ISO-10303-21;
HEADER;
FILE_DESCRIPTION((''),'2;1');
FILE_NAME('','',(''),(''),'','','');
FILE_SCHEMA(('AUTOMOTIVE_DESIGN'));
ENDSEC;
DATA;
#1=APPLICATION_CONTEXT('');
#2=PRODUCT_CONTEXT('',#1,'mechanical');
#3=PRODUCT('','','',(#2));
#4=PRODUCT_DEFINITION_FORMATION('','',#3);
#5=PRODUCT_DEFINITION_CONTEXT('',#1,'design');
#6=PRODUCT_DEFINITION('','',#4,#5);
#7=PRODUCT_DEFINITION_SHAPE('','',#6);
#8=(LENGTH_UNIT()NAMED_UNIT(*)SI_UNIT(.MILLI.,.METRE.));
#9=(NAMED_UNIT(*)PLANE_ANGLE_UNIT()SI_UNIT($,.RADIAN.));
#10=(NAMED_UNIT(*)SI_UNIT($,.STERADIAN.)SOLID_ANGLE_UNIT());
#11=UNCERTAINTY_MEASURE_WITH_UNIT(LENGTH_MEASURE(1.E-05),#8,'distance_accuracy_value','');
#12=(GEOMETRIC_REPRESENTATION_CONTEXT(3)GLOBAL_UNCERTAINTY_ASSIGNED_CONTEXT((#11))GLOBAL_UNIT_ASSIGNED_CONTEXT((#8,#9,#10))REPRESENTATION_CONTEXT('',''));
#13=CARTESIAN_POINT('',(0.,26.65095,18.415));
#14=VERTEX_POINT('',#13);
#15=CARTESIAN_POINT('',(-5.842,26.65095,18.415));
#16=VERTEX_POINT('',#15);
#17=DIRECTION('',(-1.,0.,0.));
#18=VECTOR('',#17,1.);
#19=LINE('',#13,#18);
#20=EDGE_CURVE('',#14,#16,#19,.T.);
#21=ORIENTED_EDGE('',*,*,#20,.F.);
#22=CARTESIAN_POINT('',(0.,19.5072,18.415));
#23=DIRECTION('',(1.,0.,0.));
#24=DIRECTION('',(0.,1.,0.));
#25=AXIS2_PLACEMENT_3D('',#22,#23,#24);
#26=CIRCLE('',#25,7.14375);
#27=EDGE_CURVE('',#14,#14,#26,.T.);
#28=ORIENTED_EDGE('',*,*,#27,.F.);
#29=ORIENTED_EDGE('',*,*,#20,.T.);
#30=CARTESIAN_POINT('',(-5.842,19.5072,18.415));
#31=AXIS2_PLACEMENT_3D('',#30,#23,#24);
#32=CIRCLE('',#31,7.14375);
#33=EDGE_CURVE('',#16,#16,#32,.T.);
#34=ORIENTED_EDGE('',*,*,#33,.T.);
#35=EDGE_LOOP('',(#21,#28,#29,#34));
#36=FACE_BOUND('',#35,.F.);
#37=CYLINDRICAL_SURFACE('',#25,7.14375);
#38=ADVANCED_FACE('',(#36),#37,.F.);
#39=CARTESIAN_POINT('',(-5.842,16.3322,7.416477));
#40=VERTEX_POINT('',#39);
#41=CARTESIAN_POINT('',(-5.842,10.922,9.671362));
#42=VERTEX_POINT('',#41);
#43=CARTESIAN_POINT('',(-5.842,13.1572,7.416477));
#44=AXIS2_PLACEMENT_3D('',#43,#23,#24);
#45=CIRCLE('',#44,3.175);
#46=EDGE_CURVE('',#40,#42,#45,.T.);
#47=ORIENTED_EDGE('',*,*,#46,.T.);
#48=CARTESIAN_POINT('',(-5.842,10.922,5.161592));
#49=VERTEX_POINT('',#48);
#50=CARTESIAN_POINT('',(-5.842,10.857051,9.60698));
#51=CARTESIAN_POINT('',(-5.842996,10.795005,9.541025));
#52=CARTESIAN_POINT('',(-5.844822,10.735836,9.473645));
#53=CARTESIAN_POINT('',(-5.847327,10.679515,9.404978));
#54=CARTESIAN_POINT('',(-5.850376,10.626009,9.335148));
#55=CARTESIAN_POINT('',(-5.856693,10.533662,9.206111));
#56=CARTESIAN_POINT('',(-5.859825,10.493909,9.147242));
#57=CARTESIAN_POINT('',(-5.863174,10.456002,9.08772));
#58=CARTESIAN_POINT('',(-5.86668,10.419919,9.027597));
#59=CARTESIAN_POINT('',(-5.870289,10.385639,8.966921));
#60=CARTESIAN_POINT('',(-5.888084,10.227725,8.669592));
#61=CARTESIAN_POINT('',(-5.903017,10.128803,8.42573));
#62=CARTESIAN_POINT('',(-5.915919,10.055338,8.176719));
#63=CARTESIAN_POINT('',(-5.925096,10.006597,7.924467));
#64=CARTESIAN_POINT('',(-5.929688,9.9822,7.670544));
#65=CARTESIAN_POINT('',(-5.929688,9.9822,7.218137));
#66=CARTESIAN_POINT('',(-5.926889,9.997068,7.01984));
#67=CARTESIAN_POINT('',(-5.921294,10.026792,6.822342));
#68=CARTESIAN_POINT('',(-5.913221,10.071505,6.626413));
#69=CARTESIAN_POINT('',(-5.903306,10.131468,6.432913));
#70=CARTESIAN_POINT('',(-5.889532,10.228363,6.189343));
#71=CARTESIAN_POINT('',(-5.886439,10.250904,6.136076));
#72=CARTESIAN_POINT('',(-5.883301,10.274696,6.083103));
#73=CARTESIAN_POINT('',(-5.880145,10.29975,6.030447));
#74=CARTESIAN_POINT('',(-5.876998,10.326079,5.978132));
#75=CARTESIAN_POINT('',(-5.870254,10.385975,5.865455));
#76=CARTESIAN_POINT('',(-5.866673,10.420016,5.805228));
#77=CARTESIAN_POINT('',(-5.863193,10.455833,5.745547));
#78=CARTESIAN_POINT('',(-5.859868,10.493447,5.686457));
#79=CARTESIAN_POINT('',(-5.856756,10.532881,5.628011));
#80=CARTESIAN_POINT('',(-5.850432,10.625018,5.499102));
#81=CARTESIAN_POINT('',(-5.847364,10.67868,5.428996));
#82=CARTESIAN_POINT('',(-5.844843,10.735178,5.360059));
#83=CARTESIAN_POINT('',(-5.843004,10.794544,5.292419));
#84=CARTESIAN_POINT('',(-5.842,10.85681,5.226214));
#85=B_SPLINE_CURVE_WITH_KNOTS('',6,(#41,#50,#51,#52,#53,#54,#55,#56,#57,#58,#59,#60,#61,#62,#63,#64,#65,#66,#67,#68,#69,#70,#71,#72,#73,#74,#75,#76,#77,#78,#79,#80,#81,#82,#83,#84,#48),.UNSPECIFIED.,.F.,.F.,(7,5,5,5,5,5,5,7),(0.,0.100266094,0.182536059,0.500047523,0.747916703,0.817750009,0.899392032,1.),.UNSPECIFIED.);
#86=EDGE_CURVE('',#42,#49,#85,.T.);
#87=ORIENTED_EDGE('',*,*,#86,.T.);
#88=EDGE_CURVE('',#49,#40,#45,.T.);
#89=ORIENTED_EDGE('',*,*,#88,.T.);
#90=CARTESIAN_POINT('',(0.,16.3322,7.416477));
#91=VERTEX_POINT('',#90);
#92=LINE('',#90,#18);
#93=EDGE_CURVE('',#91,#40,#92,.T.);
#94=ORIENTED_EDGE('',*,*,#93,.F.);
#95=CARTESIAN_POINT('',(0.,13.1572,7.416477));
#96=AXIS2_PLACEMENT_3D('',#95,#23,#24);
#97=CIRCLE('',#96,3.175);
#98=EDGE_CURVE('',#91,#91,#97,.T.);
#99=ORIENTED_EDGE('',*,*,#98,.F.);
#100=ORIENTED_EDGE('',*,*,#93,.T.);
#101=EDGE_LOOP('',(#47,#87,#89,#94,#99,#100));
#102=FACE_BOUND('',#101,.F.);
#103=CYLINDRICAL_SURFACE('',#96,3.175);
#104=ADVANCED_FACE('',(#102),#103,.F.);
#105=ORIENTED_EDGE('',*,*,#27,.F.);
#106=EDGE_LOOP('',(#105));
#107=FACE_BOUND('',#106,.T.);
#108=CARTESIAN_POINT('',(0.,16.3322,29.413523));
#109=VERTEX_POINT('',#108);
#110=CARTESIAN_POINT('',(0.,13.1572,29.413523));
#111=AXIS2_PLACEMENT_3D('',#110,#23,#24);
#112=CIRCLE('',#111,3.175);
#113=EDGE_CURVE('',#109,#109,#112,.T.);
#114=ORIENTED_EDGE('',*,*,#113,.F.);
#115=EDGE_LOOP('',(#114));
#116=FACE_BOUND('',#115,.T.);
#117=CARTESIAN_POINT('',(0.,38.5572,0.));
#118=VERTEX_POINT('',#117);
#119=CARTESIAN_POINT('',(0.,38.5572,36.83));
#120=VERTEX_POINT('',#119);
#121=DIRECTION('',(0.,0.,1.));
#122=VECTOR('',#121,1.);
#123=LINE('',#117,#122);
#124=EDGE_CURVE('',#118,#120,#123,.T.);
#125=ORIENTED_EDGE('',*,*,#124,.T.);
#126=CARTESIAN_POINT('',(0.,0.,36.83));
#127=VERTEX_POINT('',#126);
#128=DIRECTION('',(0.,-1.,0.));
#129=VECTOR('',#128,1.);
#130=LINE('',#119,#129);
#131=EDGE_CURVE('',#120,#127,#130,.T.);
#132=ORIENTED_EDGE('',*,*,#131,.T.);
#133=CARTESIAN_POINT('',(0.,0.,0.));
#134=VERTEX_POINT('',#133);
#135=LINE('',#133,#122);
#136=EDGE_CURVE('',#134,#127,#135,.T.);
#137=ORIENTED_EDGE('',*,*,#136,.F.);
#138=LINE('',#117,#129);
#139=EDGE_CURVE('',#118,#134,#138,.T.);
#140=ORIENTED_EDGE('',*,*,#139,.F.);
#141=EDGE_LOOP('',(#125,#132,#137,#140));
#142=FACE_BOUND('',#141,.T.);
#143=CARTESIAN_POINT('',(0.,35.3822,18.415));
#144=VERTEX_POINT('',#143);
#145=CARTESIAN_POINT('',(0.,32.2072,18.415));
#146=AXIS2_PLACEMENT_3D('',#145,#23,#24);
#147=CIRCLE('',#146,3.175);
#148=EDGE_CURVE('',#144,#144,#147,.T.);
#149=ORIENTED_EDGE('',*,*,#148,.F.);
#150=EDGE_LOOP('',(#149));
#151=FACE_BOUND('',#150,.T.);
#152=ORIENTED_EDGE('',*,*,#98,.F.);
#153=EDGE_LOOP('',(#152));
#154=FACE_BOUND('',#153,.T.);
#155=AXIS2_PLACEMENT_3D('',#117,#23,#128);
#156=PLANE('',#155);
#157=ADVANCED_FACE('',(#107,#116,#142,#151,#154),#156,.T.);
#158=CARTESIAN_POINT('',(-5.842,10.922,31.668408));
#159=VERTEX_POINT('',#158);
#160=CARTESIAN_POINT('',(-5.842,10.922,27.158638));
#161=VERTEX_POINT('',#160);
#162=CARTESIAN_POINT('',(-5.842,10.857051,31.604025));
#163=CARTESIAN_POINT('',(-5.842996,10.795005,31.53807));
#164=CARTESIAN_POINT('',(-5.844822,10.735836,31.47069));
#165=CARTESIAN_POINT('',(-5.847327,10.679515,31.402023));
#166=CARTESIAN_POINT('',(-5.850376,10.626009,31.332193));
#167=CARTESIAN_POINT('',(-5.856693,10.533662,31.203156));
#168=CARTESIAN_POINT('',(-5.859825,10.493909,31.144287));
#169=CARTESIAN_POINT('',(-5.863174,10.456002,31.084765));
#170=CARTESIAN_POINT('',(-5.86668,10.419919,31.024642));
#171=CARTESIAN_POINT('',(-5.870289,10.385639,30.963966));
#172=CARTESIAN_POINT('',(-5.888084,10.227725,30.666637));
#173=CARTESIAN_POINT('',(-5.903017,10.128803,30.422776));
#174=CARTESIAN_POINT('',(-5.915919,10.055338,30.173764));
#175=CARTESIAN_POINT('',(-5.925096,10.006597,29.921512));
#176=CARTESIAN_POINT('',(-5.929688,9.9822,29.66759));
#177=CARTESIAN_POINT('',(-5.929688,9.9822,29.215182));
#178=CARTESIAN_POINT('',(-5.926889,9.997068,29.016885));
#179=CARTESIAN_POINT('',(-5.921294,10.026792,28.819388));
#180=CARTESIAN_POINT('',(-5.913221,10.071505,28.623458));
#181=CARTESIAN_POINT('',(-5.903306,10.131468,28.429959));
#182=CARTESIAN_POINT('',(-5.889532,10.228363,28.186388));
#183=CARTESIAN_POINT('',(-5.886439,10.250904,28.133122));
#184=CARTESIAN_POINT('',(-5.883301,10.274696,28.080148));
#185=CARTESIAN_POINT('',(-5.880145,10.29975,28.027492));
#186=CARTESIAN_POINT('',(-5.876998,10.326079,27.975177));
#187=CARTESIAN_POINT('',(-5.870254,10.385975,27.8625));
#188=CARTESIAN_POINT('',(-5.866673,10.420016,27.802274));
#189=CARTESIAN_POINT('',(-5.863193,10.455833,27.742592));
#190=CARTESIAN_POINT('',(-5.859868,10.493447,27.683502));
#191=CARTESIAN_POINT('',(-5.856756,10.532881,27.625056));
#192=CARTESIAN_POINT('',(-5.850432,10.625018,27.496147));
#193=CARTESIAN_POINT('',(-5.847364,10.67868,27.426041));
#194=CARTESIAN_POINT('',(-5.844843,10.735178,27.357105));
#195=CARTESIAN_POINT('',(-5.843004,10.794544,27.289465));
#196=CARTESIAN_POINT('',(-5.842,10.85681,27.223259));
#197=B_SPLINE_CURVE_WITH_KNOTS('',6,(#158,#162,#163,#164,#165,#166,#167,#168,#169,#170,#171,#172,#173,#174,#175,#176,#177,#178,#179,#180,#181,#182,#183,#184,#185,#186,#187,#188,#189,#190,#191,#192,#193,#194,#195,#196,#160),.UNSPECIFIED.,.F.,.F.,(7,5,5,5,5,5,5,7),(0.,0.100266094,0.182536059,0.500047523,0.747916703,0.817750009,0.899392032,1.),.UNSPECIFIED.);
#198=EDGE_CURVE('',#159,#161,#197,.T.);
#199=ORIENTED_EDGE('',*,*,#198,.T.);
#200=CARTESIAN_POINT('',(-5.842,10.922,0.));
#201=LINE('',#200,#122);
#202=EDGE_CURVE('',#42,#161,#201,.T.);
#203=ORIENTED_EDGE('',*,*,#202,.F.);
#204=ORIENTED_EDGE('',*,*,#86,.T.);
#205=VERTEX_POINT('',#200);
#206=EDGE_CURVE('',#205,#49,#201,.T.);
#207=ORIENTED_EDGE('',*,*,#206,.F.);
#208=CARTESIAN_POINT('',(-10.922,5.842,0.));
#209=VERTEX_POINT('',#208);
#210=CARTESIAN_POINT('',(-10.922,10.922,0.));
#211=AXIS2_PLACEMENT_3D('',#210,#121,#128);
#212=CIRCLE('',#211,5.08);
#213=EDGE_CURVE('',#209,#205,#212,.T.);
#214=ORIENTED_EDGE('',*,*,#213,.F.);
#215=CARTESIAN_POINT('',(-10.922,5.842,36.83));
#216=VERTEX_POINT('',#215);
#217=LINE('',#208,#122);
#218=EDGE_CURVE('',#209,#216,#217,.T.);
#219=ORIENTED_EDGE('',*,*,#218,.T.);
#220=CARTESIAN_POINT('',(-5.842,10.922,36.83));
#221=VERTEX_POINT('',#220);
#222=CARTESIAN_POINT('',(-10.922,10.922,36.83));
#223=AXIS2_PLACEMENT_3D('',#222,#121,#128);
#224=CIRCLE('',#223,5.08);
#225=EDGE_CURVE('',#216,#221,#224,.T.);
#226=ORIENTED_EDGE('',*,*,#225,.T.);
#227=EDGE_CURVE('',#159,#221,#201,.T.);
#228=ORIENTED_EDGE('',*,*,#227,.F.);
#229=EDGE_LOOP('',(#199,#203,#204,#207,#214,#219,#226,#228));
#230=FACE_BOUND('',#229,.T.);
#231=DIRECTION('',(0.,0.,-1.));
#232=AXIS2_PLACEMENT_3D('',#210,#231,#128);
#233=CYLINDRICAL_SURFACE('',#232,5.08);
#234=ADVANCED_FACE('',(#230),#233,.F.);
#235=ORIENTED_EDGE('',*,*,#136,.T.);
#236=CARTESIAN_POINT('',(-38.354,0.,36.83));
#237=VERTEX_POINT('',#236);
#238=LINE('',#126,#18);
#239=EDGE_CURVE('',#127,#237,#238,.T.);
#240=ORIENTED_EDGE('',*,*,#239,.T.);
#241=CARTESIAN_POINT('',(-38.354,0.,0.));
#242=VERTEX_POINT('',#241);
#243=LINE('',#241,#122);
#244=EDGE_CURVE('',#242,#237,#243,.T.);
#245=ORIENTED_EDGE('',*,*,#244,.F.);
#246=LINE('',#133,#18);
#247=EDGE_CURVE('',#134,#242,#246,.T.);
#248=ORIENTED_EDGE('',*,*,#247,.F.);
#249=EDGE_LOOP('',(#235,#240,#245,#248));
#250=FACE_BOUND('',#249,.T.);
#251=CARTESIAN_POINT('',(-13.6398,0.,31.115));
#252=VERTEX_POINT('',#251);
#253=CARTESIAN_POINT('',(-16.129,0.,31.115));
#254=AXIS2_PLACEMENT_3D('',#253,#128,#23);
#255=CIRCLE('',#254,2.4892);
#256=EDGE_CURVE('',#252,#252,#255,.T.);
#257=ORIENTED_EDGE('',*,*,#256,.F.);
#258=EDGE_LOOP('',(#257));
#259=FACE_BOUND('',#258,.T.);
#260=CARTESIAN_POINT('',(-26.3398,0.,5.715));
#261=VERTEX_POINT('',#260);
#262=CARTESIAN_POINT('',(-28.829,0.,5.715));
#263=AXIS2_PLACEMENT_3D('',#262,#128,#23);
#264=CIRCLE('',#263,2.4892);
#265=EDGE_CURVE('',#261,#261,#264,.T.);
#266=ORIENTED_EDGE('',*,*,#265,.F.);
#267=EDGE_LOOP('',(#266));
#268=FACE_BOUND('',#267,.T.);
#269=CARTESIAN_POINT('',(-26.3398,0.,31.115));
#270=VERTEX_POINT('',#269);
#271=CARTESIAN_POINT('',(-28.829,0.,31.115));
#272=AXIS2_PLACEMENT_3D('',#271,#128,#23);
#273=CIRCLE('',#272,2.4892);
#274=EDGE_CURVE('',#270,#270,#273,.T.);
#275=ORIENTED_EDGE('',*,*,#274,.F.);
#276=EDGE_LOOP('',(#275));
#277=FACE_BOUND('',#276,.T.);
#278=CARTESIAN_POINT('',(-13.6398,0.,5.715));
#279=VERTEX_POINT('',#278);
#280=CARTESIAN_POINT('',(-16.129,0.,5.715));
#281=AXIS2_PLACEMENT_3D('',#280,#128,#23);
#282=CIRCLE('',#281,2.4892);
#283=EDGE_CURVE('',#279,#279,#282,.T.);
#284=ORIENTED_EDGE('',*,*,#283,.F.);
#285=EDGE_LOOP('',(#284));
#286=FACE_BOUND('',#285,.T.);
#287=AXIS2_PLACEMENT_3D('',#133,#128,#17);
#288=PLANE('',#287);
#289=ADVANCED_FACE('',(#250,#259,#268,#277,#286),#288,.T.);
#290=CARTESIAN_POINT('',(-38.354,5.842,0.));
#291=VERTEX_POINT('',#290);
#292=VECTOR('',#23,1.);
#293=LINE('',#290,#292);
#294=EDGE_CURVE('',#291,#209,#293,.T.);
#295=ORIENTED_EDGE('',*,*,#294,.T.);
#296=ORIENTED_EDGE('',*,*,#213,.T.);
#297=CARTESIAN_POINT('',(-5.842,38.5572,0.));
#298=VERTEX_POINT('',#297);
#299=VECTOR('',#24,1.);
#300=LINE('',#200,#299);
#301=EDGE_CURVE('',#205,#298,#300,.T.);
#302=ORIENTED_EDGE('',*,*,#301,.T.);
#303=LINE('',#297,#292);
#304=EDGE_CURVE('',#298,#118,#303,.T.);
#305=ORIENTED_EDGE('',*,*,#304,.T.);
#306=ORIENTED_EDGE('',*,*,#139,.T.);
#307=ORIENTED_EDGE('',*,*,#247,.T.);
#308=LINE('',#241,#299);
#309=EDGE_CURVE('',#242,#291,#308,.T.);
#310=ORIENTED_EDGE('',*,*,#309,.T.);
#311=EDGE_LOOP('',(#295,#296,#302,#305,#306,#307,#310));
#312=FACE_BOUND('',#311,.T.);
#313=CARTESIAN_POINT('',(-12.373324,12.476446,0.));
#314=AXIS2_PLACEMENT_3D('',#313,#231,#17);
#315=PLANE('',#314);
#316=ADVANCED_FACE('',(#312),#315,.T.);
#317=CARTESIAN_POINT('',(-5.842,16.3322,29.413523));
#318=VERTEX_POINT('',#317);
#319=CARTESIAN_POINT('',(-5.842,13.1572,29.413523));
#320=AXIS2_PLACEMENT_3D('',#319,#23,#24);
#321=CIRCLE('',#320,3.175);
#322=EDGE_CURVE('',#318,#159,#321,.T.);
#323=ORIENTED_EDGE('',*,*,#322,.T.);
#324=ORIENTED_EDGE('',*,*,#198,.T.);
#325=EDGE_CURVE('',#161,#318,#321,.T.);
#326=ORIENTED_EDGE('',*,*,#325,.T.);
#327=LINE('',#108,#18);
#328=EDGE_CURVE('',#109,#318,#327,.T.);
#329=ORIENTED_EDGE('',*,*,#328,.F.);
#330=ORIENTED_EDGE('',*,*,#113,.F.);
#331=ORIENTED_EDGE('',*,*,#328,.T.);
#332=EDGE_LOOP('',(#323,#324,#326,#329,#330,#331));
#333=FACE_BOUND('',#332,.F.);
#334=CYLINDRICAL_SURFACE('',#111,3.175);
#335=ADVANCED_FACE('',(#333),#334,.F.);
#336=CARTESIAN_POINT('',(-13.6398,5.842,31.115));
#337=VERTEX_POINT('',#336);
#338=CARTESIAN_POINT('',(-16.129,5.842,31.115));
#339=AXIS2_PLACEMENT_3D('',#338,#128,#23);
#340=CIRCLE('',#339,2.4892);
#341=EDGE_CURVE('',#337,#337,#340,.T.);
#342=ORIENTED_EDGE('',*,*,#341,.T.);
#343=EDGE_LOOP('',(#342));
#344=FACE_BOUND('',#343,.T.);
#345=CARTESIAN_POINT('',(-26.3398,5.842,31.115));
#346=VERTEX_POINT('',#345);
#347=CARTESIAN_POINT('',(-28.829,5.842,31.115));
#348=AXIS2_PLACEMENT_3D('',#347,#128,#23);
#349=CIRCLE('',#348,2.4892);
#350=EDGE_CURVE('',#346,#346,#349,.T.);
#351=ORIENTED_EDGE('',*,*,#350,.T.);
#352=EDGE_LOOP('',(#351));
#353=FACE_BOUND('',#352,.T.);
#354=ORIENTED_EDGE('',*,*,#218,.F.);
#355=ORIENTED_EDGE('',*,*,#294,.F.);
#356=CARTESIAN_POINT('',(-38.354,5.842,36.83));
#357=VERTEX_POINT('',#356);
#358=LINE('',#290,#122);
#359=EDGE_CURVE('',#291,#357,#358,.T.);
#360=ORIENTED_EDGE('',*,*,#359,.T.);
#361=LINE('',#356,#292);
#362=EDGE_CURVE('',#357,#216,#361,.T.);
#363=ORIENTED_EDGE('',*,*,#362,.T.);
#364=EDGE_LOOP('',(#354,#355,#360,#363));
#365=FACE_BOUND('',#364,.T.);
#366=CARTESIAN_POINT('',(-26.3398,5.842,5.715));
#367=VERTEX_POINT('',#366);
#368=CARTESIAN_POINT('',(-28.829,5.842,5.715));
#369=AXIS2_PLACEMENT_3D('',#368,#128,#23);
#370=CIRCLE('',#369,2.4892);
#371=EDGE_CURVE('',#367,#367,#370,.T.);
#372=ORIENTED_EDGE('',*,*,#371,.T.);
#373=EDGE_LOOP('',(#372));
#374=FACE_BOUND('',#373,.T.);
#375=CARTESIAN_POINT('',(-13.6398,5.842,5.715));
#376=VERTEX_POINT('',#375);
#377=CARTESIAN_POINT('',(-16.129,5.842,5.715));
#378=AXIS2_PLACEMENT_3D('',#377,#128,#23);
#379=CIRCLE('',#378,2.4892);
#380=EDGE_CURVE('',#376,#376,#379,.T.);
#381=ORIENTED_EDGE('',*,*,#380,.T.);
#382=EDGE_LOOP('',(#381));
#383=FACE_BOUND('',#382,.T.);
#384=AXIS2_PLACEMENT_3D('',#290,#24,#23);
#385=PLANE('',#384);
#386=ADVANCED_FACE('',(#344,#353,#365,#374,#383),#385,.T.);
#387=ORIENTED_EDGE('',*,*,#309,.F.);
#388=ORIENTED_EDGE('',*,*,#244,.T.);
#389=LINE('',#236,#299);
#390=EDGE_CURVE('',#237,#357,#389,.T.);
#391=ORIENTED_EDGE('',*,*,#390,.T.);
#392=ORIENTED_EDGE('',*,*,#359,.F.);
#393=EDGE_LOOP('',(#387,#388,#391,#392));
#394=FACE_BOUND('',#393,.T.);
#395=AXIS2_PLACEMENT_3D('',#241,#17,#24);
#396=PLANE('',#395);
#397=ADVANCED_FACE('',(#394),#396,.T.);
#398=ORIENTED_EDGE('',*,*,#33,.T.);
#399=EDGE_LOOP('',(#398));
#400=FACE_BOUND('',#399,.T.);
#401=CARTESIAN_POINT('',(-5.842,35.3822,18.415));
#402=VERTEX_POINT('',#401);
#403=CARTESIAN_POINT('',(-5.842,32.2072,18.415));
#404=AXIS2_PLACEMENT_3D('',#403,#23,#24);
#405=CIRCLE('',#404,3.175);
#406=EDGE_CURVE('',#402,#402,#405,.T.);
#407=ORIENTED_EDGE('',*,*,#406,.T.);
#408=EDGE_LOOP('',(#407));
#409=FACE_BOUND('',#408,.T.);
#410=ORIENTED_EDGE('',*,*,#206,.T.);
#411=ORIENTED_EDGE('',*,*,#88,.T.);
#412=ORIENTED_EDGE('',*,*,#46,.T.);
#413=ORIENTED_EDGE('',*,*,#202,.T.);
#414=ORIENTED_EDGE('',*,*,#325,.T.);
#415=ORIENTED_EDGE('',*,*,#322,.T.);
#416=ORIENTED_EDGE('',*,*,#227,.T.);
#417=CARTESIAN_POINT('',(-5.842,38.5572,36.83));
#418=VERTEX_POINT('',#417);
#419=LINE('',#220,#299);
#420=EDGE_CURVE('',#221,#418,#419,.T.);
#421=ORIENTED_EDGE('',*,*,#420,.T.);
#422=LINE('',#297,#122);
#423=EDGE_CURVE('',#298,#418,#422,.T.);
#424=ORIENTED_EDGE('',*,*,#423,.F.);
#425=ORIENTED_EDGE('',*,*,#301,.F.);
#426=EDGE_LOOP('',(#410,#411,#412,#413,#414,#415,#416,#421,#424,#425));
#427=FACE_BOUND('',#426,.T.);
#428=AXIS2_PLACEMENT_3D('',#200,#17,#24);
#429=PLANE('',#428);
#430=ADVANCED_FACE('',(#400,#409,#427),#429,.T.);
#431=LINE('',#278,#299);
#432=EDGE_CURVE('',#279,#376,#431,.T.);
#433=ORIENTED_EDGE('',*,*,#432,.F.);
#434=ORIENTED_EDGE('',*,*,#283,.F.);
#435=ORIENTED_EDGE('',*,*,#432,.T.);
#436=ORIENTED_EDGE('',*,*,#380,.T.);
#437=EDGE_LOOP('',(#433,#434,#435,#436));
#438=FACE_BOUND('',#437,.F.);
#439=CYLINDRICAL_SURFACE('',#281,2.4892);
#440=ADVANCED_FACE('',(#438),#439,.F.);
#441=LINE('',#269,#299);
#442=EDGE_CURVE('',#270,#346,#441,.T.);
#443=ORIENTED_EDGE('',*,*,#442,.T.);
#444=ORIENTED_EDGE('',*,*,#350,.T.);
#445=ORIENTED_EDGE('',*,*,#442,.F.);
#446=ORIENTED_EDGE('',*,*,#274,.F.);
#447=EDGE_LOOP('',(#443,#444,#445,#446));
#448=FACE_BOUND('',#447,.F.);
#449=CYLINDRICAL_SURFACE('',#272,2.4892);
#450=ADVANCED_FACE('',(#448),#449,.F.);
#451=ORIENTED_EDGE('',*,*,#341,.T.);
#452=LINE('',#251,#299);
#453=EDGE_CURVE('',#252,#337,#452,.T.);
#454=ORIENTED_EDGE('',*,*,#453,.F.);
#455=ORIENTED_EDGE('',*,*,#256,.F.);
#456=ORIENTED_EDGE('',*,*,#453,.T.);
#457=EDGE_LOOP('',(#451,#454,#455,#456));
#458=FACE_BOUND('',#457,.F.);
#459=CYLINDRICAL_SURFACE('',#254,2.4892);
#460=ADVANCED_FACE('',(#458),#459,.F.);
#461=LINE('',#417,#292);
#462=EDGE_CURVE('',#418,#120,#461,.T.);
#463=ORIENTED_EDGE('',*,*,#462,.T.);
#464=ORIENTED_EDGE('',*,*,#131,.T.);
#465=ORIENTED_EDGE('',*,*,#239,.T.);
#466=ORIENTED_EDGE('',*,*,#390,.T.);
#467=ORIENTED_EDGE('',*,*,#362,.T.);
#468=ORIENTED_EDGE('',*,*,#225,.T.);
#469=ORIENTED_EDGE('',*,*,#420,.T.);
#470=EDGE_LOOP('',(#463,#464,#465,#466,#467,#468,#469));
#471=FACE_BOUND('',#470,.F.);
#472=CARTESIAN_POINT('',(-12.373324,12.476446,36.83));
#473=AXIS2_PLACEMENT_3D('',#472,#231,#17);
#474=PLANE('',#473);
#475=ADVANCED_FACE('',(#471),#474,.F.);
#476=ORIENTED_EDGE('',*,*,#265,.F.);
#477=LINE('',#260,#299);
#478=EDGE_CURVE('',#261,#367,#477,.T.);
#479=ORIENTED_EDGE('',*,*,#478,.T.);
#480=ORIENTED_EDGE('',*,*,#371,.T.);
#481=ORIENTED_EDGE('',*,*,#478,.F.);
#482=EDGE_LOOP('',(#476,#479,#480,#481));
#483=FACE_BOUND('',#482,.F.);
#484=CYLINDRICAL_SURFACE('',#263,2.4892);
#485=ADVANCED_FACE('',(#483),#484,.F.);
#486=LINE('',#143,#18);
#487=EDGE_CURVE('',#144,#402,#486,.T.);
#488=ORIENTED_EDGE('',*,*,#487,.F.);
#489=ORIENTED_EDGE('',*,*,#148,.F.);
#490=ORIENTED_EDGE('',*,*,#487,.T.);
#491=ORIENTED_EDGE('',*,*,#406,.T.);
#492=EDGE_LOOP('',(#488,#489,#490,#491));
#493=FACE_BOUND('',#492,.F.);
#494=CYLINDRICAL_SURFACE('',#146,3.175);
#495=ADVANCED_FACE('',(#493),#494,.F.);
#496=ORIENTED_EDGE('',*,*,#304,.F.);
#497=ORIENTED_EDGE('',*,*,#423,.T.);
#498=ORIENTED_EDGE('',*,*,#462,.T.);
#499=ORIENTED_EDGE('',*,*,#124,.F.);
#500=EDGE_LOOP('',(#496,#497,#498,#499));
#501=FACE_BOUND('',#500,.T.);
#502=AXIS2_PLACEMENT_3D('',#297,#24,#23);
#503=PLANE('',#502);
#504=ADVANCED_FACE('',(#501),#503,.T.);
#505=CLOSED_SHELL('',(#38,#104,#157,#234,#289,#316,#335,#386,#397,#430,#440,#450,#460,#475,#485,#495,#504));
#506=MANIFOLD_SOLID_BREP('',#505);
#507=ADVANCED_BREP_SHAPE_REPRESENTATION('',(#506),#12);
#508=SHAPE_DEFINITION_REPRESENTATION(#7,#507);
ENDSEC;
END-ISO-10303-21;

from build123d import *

# Parameters (mm, degrees)
BOSS_EXTRUDE1_DEPTH = 36.83
SKETCH2_R           = 7.14375
SKETCH2_R_2         = 3.175
CUT_EXTRUDE1_DEPTH  = 66.682081939
SKETCH3_R           = 2.4892
CUT_EXTRUDE2_DEPTH  = 66.682081995


with BuildPart() as part:
    # Sketch1 → Boss-Extrude1 (new body)
    with BuildSketch(Plane.XY):
        with BuildLine():
            Line((0, 38.5572), (0, 0))
            Line((0, 0), (-38.354, 0))
            Line((-38.354, 0), (-38.354, 5.842))
            Line((-38.354, 5.842), (-10.922, 5.842))
            ThreePointArc((-10.922, 5.842), (-7.329897552, 7.329897552), (-5.842, 10.922))
            Line((-5.842, 10.922), (-5.842, 38.5572))
            Line((-5.842, 38.5572), (0, 38.5572))
        make_face()
    extrude(amount=BOSS_EXTRUDE1_DEPTH)

    # Sketch2 → Cut-Extrude1 (cut, through all)
    with BuildSketch(Plane(origin=(0, 0, 0), x_dir=(0, 0, -1), z_dir=(1, 0, 0))):
        with Locations(Location((-18.415, 19.5072, 0), (0, 0, 90))):
            Circle(SKETCH2_R)
        with Locations(Location((-18.415, 32.2072, 0), (0, 0, 90))):
            Circle(SKETCH2_R_2)
        with Locations(Location((-7.416477372, 13.1572, 0), (0, 0, 90))):
            Circle(SKETCH2_R_2)
        with Locations(Location((-29.413522628, 13.1572, 0), (0, 0, 90))):
            Circle(SKETCH2_R_2)
    extrude(amount=-CUT_EXTRUDE1_DEPTH, mode=Mode.SUBTRACT)

    # Sketch3 → Cut-Extrude2 (cut, through all)
    with BuildSketch(Plane.XZ):
        with Locations((-28.829, 31.115)):
            Circle(SKETCH3_R)
        with Locations((-16.129, 31.115)):
            Circle(SKETCH3_R)
        with Locations((-16.129, 5.715)):
            Circle(SKETCH3_R)
        with Locations((-28.829, 5.715)):
            Circle(SKETCH3_R)
    extrude(amount=-CUT_EXTRUDE2_DEPTH, mode=Mode.SUBTRACT)


solid = part.part
